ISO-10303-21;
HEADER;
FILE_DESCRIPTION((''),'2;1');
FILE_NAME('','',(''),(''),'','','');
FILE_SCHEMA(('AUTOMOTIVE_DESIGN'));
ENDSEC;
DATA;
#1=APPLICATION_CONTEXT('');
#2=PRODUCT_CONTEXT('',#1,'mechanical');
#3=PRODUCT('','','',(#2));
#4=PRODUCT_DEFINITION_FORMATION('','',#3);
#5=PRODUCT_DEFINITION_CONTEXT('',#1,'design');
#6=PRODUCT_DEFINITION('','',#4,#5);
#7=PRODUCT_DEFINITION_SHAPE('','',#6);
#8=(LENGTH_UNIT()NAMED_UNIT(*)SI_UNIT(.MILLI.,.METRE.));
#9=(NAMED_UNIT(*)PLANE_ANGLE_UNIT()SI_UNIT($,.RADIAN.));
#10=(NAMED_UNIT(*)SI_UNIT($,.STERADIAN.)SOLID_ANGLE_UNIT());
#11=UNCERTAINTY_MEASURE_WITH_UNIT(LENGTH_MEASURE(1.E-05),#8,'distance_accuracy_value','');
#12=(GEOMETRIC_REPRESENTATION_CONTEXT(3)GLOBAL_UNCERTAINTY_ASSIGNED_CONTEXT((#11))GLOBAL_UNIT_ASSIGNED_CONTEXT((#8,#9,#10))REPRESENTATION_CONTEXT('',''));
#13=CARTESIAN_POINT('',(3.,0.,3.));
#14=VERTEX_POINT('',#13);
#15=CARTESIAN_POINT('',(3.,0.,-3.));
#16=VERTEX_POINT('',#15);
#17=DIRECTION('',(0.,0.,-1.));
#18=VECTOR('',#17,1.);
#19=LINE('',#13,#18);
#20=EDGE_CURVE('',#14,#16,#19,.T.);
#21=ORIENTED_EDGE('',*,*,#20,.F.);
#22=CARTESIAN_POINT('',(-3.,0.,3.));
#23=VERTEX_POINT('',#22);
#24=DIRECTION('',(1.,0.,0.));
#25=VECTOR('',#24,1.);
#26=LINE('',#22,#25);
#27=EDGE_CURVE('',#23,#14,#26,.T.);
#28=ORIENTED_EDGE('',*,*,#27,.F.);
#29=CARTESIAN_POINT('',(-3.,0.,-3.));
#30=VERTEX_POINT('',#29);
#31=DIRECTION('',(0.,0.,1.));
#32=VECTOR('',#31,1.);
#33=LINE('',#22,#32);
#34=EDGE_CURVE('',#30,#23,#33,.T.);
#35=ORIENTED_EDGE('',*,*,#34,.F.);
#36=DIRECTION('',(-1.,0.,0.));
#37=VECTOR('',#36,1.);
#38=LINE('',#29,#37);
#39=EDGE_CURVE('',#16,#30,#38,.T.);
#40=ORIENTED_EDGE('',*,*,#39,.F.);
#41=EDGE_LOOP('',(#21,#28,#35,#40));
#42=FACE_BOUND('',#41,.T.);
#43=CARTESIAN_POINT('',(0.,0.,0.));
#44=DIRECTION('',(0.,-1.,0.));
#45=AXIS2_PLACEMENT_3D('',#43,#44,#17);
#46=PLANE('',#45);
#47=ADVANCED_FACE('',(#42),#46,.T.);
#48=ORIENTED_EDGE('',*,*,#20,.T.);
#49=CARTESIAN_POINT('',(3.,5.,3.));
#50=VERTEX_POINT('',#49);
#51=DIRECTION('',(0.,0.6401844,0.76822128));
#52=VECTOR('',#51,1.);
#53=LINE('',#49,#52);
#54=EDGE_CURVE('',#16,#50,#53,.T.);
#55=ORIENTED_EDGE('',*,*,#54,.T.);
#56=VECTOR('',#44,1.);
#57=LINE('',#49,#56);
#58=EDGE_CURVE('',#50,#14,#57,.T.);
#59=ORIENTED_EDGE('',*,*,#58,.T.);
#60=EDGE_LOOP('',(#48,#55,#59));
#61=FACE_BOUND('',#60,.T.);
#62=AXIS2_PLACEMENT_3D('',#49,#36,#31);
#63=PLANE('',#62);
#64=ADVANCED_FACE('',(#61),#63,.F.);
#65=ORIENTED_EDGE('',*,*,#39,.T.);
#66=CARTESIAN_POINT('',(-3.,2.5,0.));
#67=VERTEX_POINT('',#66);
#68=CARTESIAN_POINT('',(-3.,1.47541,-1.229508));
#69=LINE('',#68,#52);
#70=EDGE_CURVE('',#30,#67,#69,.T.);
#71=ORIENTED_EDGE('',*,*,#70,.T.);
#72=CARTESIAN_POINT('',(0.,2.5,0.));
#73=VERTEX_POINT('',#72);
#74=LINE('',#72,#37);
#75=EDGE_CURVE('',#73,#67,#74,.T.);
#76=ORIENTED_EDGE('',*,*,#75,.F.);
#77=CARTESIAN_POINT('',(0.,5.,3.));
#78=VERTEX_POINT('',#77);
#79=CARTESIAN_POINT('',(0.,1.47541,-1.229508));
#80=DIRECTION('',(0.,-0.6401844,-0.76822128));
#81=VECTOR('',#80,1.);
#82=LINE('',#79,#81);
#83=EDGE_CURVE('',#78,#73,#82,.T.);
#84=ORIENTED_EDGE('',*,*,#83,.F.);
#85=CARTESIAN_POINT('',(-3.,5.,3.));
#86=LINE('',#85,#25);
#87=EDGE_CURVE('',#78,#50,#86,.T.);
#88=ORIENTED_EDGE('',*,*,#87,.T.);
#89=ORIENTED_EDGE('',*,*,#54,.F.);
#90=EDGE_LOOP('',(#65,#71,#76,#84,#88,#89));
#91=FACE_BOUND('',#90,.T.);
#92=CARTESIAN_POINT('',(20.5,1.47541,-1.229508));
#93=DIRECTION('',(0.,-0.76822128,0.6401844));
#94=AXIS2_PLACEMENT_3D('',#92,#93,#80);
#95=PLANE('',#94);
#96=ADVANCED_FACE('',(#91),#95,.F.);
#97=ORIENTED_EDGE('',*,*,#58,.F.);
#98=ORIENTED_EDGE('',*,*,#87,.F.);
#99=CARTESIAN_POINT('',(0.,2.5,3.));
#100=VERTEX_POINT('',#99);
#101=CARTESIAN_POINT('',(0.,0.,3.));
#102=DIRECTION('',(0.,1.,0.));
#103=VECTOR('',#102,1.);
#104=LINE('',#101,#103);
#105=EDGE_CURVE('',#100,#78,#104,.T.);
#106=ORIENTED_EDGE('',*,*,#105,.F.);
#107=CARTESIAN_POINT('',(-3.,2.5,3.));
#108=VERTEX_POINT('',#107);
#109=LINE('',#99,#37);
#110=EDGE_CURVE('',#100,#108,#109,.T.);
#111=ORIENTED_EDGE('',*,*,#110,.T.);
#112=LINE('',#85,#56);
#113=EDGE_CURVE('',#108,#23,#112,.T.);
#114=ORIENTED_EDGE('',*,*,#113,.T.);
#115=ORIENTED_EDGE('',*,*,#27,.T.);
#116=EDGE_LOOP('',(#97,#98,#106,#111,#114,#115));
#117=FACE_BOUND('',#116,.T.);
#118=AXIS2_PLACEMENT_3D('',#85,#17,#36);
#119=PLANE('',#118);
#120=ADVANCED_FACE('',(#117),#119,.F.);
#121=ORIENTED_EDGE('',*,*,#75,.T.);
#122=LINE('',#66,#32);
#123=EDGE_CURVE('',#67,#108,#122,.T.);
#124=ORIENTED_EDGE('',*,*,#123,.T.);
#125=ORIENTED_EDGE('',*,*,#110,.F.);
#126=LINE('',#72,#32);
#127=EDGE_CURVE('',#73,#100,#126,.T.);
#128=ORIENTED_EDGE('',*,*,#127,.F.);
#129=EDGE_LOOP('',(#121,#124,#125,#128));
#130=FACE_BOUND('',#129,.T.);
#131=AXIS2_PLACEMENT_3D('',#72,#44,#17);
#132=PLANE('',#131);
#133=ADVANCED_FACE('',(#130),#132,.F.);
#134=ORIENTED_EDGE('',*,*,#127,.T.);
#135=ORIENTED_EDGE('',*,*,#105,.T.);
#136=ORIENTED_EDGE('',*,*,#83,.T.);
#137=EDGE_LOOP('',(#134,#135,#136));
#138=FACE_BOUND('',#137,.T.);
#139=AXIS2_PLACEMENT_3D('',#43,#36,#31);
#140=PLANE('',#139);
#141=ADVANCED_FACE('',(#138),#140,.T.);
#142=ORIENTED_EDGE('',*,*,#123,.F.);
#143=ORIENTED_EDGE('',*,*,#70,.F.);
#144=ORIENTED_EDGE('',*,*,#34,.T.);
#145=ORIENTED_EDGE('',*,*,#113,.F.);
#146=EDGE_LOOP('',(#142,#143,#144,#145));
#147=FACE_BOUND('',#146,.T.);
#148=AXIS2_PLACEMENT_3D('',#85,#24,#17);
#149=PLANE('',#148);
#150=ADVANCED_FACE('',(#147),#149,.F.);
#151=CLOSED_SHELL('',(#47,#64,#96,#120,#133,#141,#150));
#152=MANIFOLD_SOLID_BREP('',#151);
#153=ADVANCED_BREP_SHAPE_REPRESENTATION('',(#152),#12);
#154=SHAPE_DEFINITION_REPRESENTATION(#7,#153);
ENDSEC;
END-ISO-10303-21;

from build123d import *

# Parameters (mm, degrees)
SKETCH1_W           = 6
SKETCH1_H           = 6
BOSS_EXTRUDE1_DEPTH = 5
CUT_EXTRUDE9_DEPTH  = 23.5
CUT_EXTRUDE10_DEPTH = 3


with BuildPart() as part:
    # Sketch1 → Boss-Extrude1 (new body)
    with BuildSketch(Plane(origin=(0, 0, 0), x_dir=(1, 0, 0), z_dir=(0, 1, 0))):
        Rectangle(SKETCH1_W, SKETCH1_H)
    extrude(amount=BOSS_EXTRUDE1_DEPTH)

    # Sketch12 → Cut-Extrude9 (cut)
    with BuildSketch(Plane.ZY.offset(3)):
        Polygon((-3, 0), (3, 5), (-3, 5), align=None)
    extrude(amount=-CUT_EXTRUDE9_DEPTH, mode=Mode.SUBTRACT)

    # Sketch13 → Cut-Extrude10 (cut)
    with BuildSketch(Plane.ZY.offset(3)):
        Polygon((3, 5), (0, 2.5), (3, 2.5), align=None)
    extrude(amount=-CUT_EXTRUDE10_DEPTH, mode=Mode.SUBTRACT)


solid = part.part
